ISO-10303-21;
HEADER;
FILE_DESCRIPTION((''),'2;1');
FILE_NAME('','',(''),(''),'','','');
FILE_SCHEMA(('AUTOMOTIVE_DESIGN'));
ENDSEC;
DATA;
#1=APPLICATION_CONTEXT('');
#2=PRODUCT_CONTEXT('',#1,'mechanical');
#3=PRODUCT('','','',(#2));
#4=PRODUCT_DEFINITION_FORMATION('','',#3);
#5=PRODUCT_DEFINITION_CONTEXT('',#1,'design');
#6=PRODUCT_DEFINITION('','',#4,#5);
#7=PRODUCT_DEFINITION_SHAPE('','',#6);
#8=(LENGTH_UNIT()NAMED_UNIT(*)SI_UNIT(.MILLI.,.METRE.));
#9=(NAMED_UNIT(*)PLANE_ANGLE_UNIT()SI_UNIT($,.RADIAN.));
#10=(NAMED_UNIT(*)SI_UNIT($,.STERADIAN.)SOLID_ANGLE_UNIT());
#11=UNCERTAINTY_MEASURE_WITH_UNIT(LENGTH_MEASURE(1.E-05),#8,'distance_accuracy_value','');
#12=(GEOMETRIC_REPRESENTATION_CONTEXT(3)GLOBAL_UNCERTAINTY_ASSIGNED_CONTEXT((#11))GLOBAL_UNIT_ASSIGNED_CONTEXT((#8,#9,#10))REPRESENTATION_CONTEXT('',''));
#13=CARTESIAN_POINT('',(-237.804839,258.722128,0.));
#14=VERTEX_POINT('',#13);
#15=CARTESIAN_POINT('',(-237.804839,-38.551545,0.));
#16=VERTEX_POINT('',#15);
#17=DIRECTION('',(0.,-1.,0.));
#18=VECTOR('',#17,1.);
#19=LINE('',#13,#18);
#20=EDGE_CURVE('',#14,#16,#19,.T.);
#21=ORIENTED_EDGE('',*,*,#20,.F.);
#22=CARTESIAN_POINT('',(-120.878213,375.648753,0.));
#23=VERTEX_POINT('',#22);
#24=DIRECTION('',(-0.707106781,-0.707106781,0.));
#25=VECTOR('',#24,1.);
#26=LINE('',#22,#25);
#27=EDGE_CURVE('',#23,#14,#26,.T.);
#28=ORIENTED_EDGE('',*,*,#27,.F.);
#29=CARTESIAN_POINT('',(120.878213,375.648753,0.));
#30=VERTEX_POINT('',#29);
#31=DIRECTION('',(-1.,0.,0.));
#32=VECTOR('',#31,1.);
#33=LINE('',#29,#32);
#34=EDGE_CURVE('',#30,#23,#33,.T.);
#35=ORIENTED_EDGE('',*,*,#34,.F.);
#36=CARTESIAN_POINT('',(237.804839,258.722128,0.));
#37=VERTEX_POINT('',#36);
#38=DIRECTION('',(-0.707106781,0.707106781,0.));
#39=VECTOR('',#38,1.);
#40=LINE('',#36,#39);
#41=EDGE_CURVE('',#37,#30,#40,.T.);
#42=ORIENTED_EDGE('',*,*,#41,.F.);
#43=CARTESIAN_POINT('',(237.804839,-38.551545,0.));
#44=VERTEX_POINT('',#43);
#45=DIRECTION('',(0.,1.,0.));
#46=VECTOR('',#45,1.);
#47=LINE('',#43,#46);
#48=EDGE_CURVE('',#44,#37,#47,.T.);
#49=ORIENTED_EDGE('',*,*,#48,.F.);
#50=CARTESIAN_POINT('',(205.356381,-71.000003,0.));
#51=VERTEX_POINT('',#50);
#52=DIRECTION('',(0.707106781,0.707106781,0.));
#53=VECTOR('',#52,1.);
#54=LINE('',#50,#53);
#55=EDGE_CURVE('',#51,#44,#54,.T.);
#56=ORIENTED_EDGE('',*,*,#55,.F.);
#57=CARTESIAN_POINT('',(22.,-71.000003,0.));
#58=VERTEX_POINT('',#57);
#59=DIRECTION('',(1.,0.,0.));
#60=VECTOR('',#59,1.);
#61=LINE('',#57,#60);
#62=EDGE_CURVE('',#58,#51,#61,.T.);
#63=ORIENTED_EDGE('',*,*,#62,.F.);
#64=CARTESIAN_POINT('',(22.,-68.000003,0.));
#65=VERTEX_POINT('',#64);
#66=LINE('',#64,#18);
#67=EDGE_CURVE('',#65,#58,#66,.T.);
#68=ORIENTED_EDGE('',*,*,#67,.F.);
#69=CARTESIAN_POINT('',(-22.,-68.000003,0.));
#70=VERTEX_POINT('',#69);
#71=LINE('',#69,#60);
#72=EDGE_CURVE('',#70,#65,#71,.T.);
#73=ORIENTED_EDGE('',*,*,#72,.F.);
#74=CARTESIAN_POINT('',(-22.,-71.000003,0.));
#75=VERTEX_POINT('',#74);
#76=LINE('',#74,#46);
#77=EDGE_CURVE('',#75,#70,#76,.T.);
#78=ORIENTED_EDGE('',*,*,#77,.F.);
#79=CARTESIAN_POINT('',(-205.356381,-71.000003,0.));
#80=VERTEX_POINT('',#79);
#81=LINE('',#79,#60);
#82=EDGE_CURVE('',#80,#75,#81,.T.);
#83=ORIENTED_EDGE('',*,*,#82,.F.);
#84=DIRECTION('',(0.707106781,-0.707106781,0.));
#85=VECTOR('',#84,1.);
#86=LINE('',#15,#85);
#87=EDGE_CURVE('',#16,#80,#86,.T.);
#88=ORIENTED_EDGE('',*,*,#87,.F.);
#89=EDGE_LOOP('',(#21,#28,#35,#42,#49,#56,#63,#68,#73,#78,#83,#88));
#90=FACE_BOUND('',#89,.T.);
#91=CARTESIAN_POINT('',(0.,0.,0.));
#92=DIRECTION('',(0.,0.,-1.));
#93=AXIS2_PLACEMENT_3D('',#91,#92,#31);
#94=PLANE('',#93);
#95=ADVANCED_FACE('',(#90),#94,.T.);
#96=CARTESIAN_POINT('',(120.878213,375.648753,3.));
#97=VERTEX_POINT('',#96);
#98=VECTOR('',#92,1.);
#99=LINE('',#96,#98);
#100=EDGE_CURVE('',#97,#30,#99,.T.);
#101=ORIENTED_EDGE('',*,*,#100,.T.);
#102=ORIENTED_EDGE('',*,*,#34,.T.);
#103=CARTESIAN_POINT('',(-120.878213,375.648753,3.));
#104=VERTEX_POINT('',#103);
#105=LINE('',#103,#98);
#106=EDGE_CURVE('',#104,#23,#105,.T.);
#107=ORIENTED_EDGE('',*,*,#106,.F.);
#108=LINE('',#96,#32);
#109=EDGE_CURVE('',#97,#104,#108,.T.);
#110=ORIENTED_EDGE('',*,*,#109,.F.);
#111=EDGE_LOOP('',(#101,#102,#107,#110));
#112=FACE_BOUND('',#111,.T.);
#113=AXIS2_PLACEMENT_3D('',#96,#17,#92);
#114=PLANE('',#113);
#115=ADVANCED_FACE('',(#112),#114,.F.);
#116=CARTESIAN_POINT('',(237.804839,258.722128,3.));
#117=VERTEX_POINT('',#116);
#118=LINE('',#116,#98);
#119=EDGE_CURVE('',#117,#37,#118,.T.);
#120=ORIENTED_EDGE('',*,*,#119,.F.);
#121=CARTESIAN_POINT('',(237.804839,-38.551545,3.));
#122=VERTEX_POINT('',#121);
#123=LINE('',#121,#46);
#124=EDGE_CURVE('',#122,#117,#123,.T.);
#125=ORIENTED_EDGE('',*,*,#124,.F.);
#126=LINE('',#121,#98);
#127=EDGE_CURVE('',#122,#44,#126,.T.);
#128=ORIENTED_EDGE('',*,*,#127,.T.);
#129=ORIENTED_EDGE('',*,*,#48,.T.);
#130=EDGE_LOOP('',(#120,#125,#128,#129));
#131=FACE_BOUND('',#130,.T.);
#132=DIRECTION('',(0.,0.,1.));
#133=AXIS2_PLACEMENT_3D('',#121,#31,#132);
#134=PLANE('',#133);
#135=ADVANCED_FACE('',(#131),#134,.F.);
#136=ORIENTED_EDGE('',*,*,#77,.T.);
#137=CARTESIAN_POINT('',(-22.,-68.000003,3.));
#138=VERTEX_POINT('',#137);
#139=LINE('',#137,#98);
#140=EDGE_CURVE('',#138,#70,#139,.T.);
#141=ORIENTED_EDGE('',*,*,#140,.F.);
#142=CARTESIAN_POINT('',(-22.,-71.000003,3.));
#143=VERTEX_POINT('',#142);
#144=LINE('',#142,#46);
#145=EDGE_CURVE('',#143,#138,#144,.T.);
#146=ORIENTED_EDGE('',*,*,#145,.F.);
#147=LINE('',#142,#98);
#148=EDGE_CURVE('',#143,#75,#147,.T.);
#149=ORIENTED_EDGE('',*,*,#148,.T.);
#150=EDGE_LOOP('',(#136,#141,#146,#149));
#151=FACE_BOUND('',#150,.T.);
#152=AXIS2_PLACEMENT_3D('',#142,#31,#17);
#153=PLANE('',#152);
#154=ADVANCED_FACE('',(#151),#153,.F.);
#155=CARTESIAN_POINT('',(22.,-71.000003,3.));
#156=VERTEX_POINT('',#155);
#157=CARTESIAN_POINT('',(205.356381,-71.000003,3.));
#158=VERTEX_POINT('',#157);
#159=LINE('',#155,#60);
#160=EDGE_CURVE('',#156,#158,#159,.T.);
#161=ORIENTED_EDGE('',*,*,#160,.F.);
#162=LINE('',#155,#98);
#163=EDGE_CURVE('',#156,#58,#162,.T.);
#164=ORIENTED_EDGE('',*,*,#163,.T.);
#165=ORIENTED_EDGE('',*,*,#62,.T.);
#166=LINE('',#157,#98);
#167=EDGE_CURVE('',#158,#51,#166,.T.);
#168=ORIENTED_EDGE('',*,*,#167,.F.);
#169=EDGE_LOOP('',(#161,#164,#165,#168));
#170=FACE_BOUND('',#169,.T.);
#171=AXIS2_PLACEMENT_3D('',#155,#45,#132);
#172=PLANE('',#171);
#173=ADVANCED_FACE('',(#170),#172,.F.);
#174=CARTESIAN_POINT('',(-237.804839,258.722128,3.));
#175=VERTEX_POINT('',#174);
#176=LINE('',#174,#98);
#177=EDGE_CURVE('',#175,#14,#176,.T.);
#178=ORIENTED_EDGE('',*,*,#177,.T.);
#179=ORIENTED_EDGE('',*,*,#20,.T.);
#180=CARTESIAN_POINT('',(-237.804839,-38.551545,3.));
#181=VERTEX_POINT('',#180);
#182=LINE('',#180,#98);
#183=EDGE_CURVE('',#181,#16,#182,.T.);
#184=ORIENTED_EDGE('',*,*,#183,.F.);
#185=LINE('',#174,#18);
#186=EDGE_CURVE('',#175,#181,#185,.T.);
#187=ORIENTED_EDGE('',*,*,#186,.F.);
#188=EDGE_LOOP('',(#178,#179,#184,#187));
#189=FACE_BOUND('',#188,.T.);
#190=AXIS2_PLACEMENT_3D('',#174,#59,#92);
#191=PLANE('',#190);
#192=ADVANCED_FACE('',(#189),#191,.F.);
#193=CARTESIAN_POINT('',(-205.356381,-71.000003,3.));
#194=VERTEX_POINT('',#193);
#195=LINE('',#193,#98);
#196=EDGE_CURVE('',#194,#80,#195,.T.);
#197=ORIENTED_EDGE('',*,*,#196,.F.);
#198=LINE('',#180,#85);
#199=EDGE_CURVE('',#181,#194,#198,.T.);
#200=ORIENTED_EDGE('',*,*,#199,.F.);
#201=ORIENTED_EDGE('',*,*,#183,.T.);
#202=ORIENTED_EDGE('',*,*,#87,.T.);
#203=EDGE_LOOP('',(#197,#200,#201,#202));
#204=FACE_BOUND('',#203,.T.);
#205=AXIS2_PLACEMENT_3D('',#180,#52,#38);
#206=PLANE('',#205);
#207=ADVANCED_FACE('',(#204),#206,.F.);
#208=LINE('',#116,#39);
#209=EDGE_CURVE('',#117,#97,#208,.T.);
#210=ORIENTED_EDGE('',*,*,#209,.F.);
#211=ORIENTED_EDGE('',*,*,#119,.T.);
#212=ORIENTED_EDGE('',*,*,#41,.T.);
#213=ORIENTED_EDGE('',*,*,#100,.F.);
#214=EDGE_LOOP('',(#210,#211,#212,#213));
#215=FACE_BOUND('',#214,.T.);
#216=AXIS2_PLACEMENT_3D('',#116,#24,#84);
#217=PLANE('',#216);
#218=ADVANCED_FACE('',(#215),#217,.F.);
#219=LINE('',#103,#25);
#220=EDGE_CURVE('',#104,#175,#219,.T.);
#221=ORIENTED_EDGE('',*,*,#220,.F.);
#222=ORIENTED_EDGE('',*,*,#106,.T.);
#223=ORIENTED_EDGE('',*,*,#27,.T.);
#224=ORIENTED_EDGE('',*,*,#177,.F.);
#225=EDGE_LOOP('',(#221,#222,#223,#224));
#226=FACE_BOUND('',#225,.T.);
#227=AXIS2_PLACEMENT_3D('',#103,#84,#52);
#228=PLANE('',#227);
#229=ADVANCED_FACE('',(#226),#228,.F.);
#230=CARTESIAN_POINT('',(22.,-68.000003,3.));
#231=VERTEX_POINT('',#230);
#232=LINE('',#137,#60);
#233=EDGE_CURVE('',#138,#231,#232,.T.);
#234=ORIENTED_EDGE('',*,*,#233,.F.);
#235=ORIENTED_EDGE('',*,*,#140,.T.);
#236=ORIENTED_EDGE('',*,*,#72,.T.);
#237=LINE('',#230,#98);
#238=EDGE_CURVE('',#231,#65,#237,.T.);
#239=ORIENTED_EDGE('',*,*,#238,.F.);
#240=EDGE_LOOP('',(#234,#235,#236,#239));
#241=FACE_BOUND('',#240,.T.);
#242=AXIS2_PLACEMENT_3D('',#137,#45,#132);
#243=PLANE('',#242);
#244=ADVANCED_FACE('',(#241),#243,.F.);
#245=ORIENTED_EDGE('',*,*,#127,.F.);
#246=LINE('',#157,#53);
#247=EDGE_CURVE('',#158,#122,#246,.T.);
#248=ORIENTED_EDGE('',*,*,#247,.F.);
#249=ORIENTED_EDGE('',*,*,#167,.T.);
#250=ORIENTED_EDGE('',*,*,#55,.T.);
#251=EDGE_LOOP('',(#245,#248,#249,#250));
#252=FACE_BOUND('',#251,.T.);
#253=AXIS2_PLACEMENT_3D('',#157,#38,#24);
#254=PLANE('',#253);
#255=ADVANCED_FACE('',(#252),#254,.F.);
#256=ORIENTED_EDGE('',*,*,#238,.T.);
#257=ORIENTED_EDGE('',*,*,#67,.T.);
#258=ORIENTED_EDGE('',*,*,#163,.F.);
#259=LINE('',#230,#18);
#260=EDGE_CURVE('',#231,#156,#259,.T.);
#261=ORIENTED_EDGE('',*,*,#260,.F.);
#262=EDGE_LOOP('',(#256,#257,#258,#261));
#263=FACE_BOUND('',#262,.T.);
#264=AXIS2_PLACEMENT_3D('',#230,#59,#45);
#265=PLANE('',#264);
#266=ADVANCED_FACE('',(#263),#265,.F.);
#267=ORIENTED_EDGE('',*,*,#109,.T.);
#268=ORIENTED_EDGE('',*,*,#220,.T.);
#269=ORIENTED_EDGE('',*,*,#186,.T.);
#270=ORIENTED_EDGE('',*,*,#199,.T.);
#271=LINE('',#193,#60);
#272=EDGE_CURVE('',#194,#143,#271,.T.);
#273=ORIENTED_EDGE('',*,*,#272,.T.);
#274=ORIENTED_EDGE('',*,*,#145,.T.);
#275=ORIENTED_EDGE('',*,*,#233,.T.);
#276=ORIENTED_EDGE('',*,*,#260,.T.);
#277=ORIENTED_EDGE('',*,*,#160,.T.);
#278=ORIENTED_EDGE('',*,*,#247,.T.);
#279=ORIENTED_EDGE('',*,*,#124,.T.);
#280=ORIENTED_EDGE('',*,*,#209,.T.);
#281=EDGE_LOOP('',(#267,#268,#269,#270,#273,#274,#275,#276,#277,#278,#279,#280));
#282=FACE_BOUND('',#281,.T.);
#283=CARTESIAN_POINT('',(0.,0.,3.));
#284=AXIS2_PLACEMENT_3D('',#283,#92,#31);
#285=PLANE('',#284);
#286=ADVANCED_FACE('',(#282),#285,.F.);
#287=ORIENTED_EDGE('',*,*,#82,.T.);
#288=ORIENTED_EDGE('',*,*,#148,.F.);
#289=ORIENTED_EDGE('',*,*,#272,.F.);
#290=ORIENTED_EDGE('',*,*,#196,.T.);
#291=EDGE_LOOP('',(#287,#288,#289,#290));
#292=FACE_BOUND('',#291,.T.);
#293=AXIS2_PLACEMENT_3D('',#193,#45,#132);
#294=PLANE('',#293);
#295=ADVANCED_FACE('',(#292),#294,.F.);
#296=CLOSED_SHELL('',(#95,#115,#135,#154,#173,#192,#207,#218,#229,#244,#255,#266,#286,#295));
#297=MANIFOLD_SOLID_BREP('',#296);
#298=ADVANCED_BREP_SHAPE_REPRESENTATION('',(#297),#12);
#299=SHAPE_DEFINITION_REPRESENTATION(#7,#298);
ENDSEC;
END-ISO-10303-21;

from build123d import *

# Parameters (mm, degrees)
BOSS_EXTRUDE1_DEPTH = 3


with BuildPart() as part:
    # Sketch2 → Boss-Extrude1 (new body)
    with BuildSketch(Plane.XY):
        Polygon((-22, -68.000002576), (22, -68.000002576), (22, -71.000002576), (205.356381254, -71.000002576), (237.804838801, -38.551545028), (237.804838801, 258.722127635), (120.878213038, 375.648753399), (-120.878213038, 375.648753399), (-237.804838801, 258.722127635), (-237.804838801, -38.551545028), (-205.356381254, -71.000002576), (-22, -71.000002576), align=None)
    extrude(amount=BOSS_EXTRUDE1_DEPTH)


solid = part.part
